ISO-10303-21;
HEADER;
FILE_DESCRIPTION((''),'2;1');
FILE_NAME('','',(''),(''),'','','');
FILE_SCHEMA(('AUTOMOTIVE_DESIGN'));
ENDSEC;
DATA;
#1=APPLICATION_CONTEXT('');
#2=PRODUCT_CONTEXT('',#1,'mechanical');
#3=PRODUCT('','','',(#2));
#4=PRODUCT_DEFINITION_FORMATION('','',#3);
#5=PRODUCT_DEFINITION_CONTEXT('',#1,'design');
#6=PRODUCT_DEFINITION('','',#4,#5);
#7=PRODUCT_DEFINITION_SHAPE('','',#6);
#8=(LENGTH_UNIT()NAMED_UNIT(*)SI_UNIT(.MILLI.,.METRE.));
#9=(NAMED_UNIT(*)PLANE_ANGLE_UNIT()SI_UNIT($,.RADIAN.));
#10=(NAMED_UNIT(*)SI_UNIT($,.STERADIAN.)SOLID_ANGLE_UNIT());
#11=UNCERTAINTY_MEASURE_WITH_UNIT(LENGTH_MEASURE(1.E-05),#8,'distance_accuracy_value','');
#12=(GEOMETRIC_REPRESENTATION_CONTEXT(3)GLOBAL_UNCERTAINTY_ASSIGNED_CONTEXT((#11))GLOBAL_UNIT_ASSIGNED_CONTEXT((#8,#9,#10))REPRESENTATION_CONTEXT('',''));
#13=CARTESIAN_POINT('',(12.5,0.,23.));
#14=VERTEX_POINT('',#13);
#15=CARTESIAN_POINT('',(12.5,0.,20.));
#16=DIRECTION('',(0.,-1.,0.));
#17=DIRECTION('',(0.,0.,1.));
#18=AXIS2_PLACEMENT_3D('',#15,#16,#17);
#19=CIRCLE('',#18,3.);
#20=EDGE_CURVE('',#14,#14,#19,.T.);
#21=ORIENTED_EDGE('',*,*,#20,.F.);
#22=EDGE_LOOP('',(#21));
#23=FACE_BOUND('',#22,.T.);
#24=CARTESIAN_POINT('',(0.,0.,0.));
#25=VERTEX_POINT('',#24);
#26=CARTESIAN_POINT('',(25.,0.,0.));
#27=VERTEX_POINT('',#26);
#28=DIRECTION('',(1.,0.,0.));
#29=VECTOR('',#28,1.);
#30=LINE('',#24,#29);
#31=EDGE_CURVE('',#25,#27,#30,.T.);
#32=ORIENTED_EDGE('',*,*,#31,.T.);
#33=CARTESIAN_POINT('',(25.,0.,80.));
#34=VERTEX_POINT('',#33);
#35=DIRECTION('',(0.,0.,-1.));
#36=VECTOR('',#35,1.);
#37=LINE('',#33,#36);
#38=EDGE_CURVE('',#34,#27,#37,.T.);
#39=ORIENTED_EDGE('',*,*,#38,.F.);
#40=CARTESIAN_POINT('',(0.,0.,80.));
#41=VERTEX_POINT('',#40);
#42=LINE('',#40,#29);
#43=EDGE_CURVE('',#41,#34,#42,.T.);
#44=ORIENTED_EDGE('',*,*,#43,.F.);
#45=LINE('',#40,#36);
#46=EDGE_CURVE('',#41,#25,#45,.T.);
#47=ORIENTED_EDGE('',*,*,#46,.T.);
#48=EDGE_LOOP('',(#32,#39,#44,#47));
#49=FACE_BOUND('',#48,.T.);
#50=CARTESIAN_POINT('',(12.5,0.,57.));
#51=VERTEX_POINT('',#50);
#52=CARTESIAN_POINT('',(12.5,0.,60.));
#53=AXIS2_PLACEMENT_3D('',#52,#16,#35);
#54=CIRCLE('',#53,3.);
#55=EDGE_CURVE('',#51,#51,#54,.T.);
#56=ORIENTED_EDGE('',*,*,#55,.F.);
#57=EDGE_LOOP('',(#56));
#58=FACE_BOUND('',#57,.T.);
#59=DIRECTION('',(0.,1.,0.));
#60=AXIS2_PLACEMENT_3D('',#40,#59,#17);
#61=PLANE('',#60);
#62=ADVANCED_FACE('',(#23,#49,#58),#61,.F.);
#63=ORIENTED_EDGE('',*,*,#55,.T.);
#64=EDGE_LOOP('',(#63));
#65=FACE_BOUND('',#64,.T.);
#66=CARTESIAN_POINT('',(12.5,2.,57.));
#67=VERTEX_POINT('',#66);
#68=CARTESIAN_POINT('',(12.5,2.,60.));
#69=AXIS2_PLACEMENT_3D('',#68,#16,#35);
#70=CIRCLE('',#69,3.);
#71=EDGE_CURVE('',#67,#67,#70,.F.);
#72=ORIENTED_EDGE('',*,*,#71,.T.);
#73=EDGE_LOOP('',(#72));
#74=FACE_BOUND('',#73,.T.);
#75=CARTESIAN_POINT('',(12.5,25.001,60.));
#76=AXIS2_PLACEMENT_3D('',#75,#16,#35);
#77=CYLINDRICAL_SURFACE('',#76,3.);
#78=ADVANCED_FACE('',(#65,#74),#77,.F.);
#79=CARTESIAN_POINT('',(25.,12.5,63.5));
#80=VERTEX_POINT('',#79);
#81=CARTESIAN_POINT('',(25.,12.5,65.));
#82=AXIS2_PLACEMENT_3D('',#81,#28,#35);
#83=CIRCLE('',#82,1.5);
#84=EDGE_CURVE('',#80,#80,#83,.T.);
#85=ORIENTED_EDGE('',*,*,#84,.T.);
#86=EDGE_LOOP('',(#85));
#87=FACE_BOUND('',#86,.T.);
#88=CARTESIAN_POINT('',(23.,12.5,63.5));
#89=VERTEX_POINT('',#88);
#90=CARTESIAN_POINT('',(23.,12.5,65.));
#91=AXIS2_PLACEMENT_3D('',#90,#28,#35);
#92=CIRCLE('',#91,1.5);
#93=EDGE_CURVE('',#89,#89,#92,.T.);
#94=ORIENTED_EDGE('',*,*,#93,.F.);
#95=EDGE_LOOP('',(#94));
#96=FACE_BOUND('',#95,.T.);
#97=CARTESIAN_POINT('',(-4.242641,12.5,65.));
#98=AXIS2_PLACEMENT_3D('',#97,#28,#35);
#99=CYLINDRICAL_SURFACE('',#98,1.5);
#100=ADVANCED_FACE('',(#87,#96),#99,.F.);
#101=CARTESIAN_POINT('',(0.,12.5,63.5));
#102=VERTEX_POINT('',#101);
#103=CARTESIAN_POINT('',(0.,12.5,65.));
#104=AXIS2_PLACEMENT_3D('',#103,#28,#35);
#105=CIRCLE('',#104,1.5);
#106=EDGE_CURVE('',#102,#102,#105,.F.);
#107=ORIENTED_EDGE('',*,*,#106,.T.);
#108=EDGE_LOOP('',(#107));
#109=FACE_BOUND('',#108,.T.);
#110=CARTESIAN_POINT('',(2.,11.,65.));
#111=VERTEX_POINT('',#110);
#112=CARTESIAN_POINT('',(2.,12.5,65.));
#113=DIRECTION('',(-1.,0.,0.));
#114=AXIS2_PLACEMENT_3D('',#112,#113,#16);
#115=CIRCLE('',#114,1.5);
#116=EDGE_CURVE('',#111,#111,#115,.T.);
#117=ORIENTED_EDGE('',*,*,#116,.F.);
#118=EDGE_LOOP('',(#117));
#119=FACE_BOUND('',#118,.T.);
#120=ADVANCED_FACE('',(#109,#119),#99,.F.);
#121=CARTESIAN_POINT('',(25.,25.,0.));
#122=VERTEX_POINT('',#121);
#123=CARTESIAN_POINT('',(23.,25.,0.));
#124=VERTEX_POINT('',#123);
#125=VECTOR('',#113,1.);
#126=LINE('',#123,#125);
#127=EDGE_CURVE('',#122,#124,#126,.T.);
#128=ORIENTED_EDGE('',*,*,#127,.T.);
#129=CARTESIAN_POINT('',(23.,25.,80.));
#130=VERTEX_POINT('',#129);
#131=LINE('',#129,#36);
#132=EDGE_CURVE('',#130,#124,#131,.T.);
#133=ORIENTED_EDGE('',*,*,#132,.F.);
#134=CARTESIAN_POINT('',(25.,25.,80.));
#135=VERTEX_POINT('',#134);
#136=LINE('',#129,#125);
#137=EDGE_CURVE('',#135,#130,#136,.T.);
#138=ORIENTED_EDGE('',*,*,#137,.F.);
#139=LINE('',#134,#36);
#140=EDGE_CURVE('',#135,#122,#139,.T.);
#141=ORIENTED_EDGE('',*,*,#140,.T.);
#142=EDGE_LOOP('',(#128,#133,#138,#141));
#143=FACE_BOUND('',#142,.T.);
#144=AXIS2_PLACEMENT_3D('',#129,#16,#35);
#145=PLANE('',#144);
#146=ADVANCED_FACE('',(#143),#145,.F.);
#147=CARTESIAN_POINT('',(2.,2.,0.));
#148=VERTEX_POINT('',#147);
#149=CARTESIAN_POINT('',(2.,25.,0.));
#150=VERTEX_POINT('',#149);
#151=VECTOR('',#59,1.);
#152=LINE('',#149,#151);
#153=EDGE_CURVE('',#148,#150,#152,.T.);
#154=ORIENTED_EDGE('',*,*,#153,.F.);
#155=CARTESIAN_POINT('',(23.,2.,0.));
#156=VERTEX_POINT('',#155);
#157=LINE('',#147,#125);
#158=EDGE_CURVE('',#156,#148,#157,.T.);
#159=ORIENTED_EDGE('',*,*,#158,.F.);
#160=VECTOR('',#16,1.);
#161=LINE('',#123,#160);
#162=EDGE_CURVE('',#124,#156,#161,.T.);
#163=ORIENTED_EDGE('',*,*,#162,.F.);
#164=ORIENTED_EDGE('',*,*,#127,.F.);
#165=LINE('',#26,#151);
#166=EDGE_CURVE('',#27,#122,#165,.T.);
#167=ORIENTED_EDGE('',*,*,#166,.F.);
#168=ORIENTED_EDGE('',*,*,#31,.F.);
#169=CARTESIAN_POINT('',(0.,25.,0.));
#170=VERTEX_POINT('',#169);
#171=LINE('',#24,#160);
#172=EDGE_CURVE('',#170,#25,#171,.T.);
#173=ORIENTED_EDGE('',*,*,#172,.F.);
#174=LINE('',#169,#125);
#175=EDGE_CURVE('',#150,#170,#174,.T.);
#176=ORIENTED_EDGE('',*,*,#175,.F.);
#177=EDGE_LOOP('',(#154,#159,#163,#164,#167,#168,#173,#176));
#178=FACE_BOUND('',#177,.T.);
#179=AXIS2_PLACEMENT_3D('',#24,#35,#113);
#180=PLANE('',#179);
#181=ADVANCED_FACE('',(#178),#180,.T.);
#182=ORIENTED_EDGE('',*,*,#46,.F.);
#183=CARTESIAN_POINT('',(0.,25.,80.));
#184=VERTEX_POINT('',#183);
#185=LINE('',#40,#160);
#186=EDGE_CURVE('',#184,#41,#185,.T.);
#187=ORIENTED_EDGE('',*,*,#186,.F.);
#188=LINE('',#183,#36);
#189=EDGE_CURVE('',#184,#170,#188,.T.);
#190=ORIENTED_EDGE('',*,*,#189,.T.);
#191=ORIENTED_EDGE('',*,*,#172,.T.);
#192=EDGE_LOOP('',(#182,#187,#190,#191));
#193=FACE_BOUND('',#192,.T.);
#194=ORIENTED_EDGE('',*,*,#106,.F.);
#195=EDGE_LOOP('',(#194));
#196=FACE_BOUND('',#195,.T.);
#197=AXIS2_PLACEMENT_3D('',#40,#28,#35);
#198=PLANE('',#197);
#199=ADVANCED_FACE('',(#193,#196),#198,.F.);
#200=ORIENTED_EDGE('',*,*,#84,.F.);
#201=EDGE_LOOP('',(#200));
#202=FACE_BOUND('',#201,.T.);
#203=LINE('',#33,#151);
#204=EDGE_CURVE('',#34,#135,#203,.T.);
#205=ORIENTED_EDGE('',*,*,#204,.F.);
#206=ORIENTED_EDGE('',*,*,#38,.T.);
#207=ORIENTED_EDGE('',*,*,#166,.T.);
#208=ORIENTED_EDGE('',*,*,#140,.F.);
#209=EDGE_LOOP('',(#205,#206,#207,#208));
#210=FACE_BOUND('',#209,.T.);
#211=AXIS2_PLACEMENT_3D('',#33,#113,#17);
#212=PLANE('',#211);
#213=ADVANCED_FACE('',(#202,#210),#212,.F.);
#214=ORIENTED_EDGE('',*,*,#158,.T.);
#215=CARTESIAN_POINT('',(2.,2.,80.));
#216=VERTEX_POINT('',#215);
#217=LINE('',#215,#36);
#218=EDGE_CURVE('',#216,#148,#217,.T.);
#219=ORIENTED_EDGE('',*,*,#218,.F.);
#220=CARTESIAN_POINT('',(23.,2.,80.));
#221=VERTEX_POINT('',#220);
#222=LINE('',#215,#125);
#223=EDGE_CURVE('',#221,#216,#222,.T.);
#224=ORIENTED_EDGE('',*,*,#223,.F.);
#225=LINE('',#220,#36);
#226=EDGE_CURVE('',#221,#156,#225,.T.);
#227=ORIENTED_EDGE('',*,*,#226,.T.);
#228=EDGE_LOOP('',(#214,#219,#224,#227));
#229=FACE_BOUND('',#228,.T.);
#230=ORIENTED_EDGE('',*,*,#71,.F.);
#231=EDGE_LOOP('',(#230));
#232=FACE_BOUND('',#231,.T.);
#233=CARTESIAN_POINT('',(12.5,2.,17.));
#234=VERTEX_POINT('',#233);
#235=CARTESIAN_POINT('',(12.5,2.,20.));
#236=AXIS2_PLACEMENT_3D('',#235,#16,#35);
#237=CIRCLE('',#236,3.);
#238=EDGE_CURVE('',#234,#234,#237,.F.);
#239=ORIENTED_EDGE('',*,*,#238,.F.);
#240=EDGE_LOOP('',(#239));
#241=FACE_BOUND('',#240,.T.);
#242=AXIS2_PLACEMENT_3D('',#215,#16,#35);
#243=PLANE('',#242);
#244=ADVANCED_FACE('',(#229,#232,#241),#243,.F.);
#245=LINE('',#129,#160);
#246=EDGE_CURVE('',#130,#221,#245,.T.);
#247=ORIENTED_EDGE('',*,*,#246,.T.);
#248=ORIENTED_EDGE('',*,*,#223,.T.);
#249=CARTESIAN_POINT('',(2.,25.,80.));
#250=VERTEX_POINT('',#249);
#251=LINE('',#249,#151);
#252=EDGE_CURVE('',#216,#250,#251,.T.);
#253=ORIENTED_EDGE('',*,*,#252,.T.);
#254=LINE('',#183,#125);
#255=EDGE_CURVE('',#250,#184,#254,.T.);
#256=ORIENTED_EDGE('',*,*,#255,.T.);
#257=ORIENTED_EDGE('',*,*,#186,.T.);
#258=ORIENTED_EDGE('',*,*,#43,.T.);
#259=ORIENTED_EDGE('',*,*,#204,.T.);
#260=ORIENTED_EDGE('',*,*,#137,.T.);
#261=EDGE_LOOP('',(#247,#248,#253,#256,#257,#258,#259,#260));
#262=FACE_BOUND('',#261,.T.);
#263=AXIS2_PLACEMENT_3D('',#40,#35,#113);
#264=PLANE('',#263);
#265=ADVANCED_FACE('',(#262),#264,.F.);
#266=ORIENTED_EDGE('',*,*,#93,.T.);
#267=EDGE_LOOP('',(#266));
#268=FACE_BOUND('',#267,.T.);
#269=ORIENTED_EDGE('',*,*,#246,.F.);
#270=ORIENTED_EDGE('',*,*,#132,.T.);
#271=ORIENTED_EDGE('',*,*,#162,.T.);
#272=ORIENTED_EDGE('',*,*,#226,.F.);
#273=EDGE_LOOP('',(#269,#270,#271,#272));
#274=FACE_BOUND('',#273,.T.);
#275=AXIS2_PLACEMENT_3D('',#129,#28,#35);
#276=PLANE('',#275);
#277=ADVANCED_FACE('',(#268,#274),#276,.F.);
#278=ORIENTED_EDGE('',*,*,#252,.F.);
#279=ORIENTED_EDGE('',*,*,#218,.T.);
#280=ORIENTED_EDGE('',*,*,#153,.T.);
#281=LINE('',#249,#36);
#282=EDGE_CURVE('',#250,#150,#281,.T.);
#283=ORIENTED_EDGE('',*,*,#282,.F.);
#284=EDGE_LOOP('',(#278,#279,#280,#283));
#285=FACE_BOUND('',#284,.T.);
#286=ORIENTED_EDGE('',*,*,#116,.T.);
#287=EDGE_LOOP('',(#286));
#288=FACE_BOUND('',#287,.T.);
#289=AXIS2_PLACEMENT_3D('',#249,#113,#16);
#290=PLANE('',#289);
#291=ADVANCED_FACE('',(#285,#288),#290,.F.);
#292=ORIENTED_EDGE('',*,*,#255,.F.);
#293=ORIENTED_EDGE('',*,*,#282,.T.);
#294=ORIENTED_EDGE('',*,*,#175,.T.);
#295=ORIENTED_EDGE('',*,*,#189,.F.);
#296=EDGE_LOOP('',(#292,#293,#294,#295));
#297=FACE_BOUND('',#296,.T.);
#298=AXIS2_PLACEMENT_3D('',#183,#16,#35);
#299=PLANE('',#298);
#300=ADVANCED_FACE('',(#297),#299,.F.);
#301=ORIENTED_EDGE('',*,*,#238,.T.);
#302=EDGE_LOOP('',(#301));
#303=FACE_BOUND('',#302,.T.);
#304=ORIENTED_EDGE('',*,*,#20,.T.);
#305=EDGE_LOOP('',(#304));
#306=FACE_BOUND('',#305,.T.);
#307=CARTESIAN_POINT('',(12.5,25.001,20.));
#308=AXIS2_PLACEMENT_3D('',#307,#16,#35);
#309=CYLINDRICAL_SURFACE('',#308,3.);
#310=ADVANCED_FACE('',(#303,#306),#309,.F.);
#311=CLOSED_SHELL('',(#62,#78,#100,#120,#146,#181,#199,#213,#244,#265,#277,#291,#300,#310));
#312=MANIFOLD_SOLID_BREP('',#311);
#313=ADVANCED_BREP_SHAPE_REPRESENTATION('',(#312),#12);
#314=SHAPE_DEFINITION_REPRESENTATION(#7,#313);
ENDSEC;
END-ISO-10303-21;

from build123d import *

# Parameters (mm, degrees)
BOSS_EXTRUDE1_DEPTH = 80
SKETCH3_R           = 1.5
CUT_EXTRUDE1_DEPTH  = 25
CUT_EXTRUDE2_REACH  = 27
SKETCH4_R           = 3


with BuildPart() as part:
    # Sketch2 → Boss-Extrude1 (new body)
    with BuildSketch(Plane.XY):
        Polygon((23, 25), (25, 25), (25, 0), (0, 0), (0, 25), (2, 25), (2, 2), (23, 2), align=None)
    extrude(amount=BOSS_EXTRUDE1_DEPTH)

    # Sketch3 → Cut-Extrude1 (cut)
    with BuildSketch(Plane(origin=(25, 0, 0), x_dir=(0, 0, -1), z_dir=(1, 0, 0))):
        with Locations((-65, 12.5)):
            Circle(SKETCH3_R)
    extrude(amount=-CUT_EXTRUDE1_DEPTH, mode=Mode.SUBTRACT)

    # Sketch4 → Cut-Extrude2 (cut, up to next)
    with BuildSketch(Plane.XZ, mode=Mode.PRIVATE) as cut_extrude2_sk1:
        with Locations((12.5, 60)):
            Circle(SKETCH4_R)
    cut_extrude2_tool1 = extrude(cut_extrude2_sk1.sketch, amount=-CUT_EXTRUDE2_REACH, mode=Mode.PRIVATE) & part.part
    add(cut_extrude2_tool1.solids().sort_by_distance((12.5, 0, 60))[0], mode=Mode.SUBTRACT)
    # Sketch4 → Cut-Extrude2 (cut, up to next)
    with BuildSketch(Plane.XZ, mode=Mode.PRIVATE) as cut_extrude2_sk2:
        with Locations((12.5, 20)):
            Circle(SKETCH4_R)
    cut_extrude2_tool2 = extrude(cut_extrude2_sk2.sketch, amount=-CUT_EXTRUDE2_REACH, mode=Mode.PRIVATE) & part.part
    add(cut_extrude2_tool2.solids().sort_by_distance((12.5, 0, 20))[0], mode=Mode.SUBTRACT)


solid = part.part
